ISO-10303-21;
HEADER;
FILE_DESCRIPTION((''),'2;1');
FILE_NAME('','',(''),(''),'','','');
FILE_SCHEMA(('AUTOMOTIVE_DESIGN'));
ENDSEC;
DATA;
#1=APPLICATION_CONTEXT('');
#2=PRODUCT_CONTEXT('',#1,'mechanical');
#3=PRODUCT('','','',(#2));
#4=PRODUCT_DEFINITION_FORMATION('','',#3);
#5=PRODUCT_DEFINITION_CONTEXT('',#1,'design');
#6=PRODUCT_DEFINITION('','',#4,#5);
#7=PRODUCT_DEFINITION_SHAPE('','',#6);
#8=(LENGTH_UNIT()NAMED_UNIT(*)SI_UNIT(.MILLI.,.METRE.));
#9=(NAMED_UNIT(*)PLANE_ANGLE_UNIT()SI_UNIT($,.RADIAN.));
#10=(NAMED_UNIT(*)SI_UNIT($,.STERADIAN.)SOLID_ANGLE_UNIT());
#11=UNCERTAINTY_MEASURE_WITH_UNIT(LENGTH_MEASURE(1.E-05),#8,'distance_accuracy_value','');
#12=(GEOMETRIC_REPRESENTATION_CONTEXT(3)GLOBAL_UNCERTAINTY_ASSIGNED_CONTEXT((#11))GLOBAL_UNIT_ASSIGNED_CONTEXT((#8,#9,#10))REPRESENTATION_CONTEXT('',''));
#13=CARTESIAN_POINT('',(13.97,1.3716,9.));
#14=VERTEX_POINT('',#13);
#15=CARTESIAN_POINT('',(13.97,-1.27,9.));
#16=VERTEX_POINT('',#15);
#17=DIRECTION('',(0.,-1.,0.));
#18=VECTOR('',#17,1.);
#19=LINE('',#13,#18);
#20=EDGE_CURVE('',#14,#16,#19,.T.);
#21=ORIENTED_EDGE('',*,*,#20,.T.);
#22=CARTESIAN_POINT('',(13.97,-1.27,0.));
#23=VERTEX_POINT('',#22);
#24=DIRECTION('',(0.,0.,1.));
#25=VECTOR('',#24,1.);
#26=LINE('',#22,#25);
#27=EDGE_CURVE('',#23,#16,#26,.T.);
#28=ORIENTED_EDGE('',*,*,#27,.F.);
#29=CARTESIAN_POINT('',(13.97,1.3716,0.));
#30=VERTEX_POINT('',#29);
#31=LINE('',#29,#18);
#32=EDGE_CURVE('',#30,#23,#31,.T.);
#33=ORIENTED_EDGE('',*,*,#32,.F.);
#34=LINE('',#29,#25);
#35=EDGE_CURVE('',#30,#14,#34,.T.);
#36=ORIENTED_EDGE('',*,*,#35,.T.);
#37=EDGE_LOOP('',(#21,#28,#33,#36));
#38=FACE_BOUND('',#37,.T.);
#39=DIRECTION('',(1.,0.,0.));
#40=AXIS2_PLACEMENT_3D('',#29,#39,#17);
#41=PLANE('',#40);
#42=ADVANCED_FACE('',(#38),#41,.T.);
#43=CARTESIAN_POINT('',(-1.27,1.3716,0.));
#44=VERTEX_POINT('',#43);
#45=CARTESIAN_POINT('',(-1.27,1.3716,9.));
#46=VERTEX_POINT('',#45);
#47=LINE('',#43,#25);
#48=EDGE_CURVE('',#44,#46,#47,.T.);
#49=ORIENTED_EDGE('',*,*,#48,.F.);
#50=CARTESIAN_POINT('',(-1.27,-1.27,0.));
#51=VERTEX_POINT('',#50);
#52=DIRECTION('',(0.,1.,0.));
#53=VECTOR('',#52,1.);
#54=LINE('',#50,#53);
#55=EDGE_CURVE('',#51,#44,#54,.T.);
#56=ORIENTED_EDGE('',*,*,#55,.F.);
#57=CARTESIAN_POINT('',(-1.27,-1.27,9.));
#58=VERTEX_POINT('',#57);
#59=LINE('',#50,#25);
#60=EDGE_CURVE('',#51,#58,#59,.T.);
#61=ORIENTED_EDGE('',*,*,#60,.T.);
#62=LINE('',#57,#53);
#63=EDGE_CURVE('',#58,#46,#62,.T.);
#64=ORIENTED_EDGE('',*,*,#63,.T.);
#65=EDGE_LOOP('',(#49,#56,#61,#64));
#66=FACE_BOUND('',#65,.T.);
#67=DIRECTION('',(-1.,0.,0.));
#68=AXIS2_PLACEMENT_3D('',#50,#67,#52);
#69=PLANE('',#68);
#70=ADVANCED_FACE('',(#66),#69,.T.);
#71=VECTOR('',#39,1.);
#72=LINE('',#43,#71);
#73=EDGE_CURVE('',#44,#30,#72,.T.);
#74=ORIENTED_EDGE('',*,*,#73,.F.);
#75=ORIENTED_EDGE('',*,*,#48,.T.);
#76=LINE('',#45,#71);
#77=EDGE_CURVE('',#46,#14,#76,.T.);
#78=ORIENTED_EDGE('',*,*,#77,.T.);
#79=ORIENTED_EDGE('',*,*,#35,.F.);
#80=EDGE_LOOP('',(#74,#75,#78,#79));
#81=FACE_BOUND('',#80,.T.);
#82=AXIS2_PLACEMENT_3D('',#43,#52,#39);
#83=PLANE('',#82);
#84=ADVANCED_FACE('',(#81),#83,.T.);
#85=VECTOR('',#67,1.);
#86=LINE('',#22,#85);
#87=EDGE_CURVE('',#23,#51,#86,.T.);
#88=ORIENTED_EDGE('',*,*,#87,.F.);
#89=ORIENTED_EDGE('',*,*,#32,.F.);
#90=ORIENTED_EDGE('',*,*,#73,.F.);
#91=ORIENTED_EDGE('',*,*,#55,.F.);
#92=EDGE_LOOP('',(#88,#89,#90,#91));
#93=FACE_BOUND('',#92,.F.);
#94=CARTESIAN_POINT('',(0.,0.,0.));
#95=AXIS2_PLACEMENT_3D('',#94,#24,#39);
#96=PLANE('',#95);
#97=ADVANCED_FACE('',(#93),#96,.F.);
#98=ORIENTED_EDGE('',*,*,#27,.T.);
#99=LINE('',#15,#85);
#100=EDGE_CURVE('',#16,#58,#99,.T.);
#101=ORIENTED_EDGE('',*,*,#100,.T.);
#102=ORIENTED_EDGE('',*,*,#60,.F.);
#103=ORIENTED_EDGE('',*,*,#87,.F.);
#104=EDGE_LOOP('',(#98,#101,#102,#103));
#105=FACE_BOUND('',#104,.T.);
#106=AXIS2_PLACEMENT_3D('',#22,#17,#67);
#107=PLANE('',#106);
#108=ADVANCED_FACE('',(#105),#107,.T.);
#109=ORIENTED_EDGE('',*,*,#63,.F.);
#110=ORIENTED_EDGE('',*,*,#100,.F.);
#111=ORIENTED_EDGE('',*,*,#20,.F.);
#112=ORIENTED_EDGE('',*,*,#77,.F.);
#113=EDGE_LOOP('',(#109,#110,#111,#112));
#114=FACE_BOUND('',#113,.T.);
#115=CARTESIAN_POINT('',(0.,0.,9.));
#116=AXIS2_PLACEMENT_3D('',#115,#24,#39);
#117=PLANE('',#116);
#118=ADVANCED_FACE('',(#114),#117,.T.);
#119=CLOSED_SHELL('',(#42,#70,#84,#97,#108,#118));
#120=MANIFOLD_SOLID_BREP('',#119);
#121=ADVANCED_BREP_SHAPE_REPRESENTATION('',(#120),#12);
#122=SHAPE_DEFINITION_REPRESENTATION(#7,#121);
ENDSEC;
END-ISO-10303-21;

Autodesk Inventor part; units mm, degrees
ref_plane "YZ Plane" through (0, 0, 0) normal (1, 0, 0) x (0, 1, 0)
ref_plane "XZ Plane" through (0, 0, 0) normal (0, 1, 0) x (-1, 0, 0)
ref_plane "XY Plane" through (0, 0, 0) normal (0, 0, 1) x (1, 0, 0)
sketch "1X06, POWER_21" plane through (0, 0, 0) normal (0, 0, 1) x (1, 0, 0)
  line L0 (-1.27, 1.3716) -> (13.97, 1.3716)
  line L1 (13.97, 1.3716) -> (13.97, -1.27)
  line L2 (13.97, -1.27) -> (-1.27, -1.27)
  line L3 (-1.27, -1.27) -> (-1.27, 1.3716)
extrude "Extrusion1" add sketch "1X06, POWER_21" along normal blind 9
properties part number "POWER"
